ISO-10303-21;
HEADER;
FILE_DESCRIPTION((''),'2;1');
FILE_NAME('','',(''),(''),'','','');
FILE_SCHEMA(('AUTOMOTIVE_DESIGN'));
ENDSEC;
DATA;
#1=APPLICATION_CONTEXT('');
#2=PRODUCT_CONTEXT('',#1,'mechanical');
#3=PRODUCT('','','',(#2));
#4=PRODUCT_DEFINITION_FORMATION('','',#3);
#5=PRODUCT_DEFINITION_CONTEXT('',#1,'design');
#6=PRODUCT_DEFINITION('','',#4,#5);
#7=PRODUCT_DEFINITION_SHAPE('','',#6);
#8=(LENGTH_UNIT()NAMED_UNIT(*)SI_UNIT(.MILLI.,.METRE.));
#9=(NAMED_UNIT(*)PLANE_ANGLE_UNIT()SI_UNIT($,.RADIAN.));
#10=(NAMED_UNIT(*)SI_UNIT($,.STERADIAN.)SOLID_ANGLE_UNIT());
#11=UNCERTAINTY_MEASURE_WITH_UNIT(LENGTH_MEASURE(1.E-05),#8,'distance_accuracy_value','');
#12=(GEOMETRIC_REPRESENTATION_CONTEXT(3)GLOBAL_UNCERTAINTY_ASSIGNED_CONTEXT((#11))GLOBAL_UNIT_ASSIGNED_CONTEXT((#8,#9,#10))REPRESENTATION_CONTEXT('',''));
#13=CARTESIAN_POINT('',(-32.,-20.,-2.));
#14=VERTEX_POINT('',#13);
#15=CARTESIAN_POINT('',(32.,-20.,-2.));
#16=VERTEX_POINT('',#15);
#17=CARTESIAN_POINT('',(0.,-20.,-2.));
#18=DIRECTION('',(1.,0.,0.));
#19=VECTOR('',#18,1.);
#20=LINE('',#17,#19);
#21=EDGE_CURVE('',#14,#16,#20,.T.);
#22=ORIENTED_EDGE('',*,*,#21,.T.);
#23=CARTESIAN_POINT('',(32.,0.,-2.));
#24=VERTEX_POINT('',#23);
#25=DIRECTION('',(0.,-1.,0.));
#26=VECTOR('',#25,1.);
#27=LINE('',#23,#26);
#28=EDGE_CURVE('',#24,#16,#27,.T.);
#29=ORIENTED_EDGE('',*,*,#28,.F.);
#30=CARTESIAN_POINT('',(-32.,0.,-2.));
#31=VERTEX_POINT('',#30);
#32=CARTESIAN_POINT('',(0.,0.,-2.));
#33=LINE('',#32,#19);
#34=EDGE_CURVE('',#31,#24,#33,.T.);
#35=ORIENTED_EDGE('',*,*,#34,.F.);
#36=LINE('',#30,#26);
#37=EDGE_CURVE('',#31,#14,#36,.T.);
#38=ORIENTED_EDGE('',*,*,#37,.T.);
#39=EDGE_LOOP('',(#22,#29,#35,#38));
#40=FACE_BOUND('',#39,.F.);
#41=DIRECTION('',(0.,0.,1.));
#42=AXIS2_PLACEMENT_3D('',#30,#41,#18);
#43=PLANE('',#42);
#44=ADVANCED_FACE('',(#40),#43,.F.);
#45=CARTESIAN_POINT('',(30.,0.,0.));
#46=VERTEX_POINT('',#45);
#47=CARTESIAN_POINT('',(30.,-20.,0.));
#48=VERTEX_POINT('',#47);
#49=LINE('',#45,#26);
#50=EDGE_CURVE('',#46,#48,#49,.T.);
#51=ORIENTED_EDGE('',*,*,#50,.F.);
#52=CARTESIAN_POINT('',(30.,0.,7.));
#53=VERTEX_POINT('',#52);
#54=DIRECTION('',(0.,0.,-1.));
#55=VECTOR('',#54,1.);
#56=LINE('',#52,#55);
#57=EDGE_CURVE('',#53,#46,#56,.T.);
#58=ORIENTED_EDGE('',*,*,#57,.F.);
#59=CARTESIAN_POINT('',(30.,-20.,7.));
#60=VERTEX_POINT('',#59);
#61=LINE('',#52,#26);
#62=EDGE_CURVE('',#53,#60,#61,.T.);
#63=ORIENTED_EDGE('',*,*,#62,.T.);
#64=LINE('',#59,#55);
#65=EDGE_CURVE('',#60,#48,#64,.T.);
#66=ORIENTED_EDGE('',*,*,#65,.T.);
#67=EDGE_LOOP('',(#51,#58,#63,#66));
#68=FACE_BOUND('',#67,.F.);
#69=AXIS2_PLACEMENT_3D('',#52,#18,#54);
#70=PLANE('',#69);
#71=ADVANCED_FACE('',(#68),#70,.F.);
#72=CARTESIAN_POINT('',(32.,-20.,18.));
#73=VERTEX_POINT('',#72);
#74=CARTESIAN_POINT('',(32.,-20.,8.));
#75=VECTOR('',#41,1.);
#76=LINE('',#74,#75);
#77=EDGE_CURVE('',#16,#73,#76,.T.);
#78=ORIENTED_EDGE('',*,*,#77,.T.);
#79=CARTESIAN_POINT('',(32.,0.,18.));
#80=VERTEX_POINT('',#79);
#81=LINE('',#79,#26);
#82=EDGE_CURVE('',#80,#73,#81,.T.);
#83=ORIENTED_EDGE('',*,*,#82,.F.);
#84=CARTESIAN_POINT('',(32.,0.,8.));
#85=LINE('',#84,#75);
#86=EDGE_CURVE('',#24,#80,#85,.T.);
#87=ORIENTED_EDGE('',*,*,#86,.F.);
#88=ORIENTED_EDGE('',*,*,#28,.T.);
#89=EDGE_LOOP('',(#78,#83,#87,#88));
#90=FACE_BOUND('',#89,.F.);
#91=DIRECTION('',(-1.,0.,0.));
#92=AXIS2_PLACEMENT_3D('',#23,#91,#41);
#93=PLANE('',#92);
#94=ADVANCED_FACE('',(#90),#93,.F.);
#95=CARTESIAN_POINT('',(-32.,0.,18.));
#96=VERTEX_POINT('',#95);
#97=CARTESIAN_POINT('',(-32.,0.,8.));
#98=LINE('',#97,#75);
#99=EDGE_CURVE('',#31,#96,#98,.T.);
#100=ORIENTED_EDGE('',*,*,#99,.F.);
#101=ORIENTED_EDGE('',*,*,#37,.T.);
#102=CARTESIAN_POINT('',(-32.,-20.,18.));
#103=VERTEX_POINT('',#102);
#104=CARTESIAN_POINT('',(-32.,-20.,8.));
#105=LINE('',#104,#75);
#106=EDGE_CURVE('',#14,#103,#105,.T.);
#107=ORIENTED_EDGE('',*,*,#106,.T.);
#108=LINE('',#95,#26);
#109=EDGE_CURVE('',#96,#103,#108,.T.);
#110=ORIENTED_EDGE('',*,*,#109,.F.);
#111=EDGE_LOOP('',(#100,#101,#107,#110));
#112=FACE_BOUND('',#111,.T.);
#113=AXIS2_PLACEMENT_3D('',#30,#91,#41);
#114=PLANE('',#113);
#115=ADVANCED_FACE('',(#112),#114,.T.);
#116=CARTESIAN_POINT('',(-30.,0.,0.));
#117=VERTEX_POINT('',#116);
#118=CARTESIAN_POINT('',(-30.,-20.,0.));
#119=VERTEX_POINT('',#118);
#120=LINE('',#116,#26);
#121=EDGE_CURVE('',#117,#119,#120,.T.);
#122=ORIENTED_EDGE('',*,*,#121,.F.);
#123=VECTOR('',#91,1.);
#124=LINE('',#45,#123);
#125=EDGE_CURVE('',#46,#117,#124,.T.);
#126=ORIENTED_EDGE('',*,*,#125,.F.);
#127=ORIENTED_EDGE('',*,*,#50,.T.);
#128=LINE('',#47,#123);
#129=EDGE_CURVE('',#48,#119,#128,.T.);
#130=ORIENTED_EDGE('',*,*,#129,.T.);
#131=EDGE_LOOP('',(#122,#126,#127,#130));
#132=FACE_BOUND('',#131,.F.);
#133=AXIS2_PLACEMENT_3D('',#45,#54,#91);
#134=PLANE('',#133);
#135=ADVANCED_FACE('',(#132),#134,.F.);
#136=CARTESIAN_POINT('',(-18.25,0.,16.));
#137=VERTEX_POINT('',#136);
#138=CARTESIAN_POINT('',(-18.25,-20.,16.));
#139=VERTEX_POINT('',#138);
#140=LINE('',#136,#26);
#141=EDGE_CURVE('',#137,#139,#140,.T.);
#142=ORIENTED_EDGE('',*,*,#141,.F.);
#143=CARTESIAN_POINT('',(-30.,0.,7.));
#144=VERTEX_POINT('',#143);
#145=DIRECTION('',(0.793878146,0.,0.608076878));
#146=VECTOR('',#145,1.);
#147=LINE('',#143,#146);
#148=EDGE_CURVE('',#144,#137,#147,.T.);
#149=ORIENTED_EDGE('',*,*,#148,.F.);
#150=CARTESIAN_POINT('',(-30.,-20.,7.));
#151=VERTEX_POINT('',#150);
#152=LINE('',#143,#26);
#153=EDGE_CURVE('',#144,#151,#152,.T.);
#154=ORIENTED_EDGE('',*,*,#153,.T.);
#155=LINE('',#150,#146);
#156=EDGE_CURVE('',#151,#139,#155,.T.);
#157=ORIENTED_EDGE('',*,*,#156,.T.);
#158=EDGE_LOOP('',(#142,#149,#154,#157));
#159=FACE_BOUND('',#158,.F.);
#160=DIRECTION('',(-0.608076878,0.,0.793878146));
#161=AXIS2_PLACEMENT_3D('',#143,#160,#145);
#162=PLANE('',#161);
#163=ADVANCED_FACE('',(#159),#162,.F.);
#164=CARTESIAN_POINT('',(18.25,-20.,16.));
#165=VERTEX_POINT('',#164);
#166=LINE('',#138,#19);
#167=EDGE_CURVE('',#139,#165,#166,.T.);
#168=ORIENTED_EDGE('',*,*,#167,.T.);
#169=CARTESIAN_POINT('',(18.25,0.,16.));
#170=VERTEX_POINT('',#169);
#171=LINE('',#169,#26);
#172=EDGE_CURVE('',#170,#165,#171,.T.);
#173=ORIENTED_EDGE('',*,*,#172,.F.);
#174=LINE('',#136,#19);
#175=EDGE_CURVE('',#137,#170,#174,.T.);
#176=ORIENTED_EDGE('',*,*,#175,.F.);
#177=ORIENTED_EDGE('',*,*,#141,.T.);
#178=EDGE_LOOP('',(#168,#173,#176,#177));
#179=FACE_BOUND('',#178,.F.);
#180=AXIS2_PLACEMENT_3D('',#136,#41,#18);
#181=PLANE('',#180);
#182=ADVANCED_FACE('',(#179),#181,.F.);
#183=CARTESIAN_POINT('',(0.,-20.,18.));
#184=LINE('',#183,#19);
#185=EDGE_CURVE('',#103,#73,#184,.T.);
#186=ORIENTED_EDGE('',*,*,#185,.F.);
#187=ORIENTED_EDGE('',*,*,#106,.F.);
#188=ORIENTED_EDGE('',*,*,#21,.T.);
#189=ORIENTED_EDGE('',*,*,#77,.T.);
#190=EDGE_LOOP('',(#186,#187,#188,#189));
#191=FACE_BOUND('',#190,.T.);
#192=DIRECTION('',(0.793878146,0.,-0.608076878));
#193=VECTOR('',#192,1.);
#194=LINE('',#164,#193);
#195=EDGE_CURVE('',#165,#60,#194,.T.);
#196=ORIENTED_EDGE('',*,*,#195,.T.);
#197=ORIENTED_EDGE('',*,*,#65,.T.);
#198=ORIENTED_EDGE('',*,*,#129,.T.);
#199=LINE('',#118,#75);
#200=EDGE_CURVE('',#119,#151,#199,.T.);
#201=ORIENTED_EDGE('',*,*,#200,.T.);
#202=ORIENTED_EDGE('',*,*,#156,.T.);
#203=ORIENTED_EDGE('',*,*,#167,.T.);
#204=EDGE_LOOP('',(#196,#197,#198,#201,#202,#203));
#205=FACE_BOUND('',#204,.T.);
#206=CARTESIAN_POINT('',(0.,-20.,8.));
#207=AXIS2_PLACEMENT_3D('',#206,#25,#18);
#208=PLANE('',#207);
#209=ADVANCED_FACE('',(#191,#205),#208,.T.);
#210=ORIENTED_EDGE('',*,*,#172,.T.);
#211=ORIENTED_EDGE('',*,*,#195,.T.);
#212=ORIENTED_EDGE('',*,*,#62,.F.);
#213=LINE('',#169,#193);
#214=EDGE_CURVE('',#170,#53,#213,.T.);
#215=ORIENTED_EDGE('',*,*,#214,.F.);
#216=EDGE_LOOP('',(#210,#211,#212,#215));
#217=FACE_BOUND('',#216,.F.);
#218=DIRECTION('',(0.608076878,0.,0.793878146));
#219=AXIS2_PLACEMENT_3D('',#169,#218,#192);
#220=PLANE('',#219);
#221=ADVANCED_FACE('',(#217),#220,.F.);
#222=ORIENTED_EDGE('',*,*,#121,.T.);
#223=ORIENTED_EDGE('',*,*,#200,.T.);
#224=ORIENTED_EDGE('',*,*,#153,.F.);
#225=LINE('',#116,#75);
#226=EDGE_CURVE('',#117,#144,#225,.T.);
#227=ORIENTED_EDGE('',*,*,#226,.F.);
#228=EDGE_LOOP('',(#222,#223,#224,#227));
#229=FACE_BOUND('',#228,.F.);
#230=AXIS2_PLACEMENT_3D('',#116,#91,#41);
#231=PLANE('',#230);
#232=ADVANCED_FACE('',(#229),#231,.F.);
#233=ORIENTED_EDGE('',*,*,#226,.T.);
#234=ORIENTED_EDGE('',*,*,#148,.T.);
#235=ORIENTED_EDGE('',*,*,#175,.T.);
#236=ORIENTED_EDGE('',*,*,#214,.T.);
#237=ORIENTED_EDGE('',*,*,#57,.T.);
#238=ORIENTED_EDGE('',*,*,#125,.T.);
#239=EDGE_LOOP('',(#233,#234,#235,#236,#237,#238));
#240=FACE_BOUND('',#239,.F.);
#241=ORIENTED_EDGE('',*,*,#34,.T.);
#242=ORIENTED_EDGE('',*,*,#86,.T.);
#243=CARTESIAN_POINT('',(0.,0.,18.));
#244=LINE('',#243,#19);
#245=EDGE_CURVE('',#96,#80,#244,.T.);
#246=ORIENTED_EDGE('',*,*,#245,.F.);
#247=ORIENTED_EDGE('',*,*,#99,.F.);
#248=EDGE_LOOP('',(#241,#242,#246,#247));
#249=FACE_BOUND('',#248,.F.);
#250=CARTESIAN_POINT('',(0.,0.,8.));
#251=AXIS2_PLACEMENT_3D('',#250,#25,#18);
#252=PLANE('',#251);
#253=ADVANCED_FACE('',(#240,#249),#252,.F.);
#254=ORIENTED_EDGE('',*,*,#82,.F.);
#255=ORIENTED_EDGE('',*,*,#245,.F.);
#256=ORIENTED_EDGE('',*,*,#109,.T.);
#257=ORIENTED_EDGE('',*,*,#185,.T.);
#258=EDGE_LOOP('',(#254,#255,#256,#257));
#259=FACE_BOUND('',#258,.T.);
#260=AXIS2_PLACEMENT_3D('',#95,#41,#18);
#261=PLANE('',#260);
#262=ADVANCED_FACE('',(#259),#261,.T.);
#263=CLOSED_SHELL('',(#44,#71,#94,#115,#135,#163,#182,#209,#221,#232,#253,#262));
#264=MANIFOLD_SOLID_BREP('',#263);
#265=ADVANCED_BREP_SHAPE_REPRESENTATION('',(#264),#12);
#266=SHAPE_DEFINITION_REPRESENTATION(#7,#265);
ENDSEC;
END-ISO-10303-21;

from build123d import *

# Parameters (mm, degrees)
SKETCH_W  = 64
SKETCH_H  = 20
PAD_DEPTH = 20


with BuildPart() as part:
    # Sketch → Pad (new body)
    with BuildSketch(Plane.XZ):
        with Locations((0, 8)):
            Rectangle(SKETCH_W, SKETCH_H)
        Polygon((-18.25, 16), (18.25, 16), (30, 7), (30, 0), (-30, 0), (-30, 7), align=None, mode=Mode.SUBTRACT)
    extrude(amount=PAD_DEPTH)


solid = part.part
